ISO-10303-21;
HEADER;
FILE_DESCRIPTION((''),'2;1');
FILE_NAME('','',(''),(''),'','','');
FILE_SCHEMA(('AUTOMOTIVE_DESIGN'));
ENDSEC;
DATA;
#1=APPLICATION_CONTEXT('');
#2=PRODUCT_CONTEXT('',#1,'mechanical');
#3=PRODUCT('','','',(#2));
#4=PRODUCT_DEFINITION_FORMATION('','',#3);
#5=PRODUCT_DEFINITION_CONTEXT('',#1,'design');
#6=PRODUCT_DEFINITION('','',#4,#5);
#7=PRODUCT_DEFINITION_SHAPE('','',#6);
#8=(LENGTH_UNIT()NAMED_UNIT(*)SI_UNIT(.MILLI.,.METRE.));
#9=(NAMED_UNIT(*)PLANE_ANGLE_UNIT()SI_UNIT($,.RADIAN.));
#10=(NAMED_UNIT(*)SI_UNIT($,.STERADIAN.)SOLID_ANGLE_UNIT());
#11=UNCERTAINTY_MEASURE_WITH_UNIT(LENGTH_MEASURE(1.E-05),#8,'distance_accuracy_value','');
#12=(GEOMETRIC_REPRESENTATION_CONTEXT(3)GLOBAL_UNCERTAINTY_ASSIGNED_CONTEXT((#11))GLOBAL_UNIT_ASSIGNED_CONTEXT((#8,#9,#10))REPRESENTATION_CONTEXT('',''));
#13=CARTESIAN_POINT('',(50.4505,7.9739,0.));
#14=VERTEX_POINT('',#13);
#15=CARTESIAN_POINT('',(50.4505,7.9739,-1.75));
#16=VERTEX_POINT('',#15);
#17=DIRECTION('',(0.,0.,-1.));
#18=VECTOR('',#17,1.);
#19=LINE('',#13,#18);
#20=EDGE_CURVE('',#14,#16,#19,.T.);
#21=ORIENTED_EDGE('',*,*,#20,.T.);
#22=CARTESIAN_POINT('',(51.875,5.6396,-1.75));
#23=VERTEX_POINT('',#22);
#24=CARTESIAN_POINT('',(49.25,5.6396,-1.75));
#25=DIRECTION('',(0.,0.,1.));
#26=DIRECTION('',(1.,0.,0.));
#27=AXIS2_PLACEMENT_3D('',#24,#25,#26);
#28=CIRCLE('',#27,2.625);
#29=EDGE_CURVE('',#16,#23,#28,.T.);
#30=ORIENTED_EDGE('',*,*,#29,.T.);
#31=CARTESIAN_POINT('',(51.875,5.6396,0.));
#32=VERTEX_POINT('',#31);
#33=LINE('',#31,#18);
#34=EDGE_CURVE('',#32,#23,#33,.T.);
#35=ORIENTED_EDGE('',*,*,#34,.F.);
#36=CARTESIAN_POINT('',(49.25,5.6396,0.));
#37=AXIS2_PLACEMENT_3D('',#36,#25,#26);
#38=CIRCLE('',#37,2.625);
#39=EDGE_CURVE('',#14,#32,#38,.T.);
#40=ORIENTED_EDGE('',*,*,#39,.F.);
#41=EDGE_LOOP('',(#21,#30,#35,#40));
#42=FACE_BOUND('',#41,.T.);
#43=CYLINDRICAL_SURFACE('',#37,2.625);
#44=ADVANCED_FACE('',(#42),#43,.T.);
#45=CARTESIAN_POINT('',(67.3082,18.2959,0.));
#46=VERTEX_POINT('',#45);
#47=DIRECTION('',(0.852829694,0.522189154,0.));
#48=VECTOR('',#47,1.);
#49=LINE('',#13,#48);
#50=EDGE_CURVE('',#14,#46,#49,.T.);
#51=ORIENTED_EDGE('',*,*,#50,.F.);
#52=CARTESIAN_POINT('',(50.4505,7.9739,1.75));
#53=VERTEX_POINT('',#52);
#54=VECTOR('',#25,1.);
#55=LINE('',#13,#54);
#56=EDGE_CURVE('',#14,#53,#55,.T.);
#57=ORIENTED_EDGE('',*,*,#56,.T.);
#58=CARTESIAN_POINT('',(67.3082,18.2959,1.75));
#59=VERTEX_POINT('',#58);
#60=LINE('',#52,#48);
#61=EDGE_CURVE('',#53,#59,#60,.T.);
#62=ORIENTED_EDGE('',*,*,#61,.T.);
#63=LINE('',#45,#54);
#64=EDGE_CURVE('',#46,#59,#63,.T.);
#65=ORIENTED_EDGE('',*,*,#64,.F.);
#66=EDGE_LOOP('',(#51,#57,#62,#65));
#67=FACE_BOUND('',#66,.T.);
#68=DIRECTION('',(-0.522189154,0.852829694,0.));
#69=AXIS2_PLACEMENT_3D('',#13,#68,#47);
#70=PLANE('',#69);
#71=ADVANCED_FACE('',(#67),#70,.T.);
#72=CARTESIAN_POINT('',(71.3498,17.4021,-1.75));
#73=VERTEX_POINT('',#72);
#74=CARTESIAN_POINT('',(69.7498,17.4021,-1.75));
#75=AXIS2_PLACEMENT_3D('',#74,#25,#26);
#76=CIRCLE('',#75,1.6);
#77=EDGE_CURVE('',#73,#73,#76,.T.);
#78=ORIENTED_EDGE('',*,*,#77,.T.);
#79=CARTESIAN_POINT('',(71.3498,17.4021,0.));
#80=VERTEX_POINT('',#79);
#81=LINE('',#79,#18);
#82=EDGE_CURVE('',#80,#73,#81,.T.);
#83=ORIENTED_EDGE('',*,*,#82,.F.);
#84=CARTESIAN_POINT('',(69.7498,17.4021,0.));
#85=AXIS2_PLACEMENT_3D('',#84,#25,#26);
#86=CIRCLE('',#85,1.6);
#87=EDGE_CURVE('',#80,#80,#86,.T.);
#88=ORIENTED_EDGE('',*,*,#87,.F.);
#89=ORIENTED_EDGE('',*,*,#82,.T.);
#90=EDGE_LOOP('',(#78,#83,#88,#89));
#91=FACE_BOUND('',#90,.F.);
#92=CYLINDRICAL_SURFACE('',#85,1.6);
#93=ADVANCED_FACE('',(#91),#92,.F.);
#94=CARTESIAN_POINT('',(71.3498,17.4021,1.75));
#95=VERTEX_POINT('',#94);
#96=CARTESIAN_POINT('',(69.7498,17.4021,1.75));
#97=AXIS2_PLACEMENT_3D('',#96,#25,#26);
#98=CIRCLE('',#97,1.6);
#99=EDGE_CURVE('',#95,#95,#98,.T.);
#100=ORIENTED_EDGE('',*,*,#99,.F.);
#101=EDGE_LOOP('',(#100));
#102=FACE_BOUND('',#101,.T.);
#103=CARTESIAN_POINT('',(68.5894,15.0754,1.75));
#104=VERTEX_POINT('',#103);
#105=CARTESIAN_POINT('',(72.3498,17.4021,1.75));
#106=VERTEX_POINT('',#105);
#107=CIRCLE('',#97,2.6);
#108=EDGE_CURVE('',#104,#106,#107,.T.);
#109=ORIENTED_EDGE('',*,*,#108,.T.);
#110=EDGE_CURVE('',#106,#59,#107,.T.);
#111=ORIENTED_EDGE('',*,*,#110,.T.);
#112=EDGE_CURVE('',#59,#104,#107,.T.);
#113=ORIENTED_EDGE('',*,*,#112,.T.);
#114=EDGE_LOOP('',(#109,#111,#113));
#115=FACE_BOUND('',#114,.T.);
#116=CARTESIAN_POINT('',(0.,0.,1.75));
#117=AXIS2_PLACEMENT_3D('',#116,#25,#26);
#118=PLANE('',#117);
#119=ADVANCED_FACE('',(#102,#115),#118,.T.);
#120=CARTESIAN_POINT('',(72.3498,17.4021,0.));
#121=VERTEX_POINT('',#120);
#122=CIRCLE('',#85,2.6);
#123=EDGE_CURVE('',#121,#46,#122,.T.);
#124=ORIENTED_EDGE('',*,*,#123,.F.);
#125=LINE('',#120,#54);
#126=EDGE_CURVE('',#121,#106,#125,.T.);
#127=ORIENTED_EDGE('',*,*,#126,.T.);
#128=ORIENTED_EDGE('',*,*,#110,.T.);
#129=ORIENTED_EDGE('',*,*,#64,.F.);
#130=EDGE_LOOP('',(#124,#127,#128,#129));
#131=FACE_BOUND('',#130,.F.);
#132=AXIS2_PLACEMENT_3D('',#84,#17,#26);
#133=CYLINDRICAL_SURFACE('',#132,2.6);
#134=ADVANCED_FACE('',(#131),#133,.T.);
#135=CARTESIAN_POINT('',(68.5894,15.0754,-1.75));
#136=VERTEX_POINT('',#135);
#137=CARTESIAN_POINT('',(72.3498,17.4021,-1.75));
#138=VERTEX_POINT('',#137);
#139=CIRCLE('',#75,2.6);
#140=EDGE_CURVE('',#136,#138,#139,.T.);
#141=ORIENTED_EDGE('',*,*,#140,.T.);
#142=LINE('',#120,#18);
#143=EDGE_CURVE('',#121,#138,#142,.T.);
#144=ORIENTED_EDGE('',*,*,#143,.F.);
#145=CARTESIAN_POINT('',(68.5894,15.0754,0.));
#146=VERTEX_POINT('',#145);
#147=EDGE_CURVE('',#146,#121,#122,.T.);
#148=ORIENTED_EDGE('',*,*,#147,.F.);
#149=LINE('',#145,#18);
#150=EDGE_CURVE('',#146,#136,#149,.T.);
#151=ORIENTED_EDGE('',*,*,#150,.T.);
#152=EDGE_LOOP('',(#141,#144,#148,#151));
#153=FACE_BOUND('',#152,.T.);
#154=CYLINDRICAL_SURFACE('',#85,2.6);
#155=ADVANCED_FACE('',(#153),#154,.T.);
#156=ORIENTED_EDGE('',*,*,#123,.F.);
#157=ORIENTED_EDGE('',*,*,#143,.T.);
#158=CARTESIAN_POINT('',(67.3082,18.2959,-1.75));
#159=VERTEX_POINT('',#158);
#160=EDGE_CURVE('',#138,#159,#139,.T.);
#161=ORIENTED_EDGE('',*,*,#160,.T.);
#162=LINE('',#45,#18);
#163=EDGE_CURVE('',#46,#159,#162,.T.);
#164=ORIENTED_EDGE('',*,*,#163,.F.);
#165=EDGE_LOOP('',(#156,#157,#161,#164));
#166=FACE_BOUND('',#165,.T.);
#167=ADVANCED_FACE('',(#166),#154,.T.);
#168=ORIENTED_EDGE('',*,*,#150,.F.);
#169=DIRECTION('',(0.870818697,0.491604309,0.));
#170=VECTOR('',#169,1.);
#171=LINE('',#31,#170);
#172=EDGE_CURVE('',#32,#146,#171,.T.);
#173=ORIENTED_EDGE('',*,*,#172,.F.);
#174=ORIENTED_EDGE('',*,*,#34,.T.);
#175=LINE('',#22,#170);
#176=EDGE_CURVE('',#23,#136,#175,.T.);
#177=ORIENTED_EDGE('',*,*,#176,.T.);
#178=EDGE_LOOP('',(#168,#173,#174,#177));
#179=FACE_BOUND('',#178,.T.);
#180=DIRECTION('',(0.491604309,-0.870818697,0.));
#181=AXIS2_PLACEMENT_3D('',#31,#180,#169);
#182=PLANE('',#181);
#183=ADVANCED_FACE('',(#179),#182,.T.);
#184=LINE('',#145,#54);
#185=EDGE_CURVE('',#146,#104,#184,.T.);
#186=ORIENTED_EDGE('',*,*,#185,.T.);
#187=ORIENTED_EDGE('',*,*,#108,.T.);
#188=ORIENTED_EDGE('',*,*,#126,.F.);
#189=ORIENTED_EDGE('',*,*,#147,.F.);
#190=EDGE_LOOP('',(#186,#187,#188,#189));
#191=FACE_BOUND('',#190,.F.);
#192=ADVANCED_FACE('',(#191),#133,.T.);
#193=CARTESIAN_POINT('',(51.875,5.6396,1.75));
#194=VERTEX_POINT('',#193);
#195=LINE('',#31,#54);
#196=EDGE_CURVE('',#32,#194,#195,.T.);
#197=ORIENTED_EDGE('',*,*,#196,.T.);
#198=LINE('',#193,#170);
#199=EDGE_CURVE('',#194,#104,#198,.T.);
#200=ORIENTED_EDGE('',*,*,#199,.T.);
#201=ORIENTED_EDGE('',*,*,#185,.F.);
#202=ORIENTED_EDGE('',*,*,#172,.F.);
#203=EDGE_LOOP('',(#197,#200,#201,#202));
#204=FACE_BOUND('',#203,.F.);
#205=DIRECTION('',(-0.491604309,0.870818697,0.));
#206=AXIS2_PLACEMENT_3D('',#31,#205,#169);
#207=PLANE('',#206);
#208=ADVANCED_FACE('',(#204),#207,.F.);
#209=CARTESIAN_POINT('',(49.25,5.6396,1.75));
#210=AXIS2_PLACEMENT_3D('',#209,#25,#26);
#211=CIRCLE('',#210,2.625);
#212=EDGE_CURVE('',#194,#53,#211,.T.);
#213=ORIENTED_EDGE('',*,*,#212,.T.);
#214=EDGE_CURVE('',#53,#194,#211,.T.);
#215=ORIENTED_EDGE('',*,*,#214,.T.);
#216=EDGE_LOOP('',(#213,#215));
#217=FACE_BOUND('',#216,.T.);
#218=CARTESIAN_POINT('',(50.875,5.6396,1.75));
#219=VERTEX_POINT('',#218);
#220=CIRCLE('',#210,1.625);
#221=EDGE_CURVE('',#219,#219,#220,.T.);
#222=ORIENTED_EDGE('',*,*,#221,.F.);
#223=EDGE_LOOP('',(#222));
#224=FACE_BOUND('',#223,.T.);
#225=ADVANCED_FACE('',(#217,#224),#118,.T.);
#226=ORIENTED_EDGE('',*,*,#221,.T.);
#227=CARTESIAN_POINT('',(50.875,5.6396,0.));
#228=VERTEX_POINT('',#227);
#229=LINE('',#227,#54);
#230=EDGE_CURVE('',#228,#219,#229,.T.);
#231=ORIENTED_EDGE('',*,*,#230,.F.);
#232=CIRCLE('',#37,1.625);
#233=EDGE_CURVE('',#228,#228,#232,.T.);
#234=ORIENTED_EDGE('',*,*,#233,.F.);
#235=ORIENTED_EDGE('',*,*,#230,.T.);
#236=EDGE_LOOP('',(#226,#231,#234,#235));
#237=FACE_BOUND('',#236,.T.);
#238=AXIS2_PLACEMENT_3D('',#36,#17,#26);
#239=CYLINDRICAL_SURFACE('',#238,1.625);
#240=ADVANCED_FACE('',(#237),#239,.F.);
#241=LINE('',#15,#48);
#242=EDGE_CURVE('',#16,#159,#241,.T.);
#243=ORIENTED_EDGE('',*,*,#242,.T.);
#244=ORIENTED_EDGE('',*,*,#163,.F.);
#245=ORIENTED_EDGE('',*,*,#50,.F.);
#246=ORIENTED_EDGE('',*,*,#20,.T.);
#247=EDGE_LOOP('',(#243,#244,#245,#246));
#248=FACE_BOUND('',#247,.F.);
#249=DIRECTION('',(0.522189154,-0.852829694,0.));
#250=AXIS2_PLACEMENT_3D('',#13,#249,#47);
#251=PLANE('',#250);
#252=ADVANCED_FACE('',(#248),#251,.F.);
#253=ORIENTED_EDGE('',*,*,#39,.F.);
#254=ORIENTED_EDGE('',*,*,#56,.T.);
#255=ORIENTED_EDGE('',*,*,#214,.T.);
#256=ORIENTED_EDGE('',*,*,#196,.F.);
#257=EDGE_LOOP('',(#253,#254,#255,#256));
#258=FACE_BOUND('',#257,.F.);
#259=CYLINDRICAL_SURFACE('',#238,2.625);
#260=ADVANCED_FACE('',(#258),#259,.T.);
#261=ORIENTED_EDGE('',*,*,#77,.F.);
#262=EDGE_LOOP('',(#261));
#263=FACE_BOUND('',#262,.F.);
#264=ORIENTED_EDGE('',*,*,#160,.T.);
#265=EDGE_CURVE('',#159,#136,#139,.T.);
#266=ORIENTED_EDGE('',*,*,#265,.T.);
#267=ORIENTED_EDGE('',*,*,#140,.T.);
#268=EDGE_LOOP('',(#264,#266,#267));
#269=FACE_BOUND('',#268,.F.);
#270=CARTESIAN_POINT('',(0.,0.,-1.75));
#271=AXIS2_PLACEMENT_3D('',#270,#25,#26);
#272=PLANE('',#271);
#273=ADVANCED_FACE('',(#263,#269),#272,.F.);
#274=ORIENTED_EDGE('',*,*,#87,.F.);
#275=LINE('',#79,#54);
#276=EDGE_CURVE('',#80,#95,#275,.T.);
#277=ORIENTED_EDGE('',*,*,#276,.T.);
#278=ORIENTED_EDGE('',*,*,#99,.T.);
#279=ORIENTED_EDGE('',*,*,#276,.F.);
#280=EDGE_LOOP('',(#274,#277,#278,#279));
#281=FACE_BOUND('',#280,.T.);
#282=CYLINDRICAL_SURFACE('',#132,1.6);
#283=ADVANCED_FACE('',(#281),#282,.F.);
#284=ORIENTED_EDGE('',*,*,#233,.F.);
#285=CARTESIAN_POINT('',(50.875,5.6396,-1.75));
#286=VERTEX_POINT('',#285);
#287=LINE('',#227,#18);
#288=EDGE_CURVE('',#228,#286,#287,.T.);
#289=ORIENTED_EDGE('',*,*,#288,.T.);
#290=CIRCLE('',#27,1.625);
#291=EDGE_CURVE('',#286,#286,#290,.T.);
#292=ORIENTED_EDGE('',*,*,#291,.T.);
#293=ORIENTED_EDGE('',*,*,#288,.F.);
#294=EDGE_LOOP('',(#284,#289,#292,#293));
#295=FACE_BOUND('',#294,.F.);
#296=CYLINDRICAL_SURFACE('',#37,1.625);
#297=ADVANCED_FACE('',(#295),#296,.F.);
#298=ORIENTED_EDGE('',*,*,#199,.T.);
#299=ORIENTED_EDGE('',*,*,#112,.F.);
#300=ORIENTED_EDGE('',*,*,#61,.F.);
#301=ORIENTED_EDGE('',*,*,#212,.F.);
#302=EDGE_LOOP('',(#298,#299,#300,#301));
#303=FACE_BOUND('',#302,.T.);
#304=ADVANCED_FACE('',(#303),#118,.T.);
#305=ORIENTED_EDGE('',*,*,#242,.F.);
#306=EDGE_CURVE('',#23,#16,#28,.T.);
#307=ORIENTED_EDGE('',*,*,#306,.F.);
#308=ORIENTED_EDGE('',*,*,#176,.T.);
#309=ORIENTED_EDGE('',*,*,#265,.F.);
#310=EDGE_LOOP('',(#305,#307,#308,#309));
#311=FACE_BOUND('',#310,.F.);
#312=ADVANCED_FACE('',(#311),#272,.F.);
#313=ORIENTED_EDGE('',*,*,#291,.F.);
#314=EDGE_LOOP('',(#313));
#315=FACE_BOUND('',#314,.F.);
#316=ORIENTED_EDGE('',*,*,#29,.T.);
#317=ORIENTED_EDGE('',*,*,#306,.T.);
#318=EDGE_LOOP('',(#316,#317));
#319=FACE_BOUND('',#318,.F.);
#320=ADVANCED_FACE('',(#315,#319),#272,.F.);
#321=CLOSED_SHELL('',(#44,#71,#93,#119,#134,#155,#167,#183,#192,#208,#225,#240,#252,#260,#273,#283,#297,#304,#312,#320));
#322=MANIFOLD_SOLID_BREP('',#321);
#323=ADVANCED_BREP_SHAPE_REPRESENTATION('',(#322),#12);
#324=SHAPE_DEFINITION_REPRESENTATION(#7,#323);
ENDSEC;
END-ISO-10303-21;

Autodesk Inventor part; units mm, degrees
ref_plane "YZ Plane" through (0, 0, 0) normal (1, 0, 0) x (0, 1, 0)
ref_plane "XZ Plane" through (0, 0, 0) normal (0, 1, 0) x (-1, 0, 0)
ref_plane "XY Plane" through (0, 0, 0) normal (0, 0, 1) x (1, 0, 0)
sketch "Sketch1" plane through (0, 0, 0) normal (0, 0, 1) x (1, 0, 0)
  circle A0 centre (49.25, 5.6396) radius 1.625 projected
  circle A1 centre (69.7498, 17.4021) radius 1.6 projected
  circle A2 centre (49.25, 5.6396) radius 2.625
  circle A3 centre (69.7498, 17.4021) radius 2.6
  line L0 (50.4505, 7.9739) -> (67.3082, 18.2959)
  line L1 (51.875, 5.6396) -> (68.5894, 15.0754)
  point P0 (0, 0)
  dimension "d0" = 1
  dimension "d1" = 1
extrude "Extrusion1" add sketch "Sketch1" along normal mid plane 3.5
properties part number "palanca_proxima_media"
